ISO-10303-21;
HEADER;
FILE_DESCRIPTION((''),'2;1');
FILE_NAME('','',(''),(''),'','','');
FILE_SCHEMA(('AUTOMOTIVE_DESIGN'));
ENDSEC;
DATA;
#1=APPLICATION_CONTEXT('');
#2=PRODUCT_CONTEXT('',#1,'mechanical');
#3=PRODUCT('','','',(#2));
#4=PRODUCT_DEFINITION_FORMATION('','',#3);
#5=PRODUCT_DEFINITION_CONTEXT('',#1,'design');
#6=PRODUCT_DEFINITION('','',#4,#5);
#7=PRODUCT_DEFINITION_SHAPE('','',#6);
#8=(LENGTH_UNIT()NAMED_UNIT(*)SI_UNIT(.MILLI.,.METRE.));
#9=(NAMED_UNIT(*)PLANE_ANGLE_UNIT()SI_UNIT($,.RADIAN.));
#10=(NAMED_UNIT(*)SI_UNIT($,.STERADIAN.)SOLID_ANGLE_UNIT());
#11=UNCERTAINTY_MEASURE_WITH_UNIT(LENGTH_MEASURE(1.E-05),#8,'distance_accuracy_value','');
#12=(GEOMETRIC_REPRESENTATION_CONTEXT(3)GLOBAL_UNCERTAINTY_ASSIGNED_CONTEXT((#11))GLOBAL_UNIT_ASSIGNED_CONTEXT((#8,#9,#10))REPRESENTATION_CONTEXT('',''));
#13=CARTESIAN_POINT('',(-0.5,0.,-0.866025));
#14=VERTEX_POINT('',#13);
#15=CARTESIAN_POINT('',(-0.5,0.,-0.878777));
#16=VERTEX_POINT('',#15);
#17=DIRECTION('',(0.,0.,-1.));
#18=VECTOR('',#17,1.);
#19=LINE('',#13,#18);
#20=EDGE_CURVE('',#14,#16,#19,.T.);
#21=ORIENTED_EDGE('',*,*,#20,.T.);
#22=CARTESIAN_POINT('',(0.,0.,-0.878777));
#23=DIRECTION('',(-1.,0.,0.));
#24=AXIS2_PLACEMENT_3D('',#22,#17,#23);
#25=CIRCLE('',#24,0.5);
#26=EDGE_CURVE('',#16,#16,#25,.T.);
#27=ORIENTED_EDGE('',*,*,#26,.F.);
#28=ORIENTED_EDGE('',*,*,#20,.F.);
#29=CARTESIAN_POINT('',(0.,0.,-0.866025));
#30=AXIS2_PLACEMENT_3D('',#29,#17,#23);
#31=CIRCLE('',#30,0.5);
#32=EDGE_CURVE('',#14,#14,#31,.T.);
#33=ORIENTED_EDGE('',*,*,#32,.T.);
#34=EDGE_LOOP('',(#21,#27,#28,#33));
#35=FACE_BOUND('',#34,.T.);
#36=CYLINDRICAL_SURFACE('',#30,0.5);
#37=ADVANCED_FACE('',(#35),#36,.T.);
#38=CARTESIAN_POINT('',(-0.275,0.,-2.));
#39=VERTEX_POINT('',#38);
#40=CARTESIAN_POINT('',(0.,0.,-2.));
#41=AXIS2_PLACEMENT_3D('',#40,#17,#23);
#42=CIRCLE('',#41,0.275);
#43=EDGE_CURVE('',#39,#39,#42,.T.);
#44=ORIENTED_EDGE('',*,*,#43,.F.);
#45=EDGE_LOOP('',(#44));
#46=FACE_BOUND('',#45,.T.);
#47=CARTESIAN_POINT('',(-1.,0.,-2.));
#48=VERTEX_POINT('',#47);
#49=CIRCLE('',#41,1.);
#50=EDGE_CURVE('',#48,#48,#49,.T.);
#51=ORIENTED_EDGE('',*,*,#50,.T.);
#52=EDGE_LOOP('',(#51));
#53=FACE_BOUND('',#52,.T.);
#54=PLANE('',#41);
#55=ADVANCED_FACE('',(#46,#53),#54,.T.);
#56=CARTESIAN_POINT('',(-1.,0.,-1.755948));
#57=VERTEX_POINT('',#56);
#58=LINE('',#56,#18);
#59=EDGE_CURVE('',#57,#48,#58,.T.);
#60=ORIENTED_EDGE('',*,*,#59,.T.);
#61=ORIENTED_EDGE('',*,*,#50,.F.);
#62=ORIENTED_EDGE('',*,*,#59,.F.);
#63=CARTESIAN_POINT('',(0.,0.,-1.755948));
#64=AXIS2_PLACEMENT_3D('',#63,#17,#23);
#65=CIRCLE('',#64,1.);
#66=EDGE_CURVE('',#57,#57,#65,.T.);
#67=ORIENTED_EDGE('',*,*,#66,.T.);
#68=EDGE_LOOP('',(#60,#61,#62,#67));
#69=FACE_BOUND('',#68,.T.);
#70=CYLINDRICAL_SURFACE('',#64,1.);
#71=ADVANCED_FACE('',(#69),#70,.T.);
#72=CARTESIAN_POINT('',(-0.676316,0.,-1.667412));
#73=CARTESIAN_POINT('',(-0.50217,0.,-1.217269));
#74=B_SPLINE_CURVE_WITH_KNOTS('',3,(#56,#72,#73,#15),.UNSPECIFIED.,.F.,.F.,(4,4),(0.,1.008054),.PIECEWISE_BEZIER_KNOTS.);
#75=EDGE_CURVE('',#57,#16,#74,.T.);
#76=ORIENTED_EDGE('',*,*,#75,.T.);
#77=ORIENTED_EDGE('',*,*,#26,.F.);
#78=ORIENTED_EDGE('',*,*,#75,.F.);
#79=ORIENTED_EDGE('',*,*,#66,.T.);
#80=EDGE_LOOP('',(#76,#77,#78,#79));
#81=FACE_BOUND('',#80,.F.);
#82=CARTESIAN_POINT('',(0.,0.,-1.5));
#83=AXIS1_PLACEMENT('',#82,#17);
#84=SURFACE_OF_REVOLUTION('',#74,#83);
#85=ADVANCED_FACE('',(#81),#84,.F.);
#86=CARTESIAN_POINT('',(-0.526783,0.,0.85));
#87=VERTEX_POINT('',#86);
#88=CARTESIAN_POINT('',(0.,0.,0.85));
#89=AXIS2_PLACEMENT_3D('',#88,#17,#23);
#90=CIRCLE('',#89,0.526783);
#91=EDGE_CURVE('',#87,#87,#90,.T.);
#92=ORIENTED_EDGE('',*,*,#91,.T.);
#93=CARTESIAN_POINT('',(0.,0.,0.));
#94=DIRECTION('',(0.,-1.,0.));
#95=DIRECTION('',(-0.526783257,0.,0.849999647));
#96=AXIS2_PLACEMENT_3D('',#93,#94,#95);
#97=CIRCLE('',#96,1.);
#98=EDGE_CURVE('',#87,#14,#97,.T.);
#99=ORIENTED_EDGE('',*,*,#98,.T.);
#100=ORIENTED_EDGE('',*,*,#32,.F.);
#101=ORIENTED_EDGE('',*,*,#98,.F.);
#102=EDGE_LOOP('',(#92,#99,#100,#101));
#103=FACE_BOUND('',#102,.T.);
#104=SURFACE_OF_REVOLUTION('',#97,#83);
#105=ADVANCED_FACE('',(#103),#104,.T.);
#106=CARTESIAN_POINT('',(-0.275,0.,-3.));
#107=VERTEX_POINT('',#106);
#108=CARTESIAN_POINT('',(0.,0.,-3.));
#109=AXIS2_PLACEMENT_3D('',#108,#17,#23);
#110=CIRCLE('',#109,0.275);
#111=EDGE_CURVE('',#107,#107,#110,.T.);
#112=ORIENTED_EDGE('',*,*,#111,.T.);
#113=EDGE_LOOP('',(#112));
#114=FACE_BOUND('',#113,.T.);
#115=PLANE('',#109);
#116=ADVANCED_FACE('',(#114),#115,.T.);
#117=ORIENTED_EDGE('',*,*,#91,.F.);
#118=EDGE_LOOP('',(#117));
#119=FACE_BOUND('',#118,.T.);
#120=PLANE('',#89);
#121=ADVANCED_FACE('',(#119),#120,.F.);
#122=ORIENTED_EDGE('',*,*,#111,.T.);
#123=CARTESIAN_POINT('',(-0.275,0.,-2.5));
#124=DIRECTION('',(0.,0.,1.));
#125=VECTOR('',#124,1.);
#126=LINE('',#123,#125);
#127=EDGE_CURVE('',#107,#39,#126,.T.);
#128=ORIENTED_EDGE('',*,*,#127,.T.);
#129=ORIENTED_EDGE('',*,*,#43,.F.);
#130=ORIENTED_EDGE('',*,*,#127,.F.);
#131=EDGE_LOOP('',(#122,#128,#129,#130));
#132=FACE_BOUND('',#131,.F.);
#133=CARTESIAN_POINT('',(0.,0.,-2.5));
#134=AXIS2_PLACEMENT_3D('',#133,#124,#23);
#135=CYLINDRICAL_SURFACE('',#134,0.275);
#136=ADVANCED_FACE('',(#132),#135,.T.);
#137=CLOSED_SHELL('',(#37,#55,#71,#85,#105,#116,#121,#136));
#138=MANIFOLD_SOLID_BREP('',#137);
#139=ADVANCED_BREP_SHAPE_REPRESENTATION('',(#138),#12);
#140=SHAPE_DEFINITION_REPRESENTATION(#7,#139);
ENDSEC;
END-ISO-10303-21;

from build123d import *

# Parameters (mm, degrees)
F0_W = 0.275
F0_H = 1


with BuildPart() as f1:
    # F0 (on Front) → F1 (revolve)
    with BuildSketch(Plane.XZ):
        with BuildLine():
            ThreePointArc((0, -1), (-0.258819, -0.965926), (-0.5, -0.866025))
            Line((-0.5, -0.866025), (-0.5, -0.878777))
            add(Edge.make_bspline(
                [(-1, -1.755948), (-0.676316, -1.667412), (-0.50217, -1.217269), (-0.5, -0.878777)],
                knots=[0, 0, 0, 0, 1.008054, 1.008054, 1.008054, 1.008054], degree=3))
            Line((-1, -1.755948), (-1, -2))
            Line((-1, -2), (-0.275, -2))
            Line((-0.275, -2), (0, -2))
            Line((0, -2), (0, -1))
        make_face()
        with BuildLine():
            Line((0, 0.85), (-0.526783, 0.85))
            ThreePointArc((-0.526783, 0.85), (-0.999878, -0.015605), (-0.5, -0.866025))
            ThreePointArc((-0.5, -0.866025), (-0.258819, -0.965926), (0, -1))
            Line((0, -1), (0, 0.85))
        make_face()
        with Locations((-0.1375, -2.5)):
            Rectangle(F0_W, F0_H)
    revolve(axis=Axis((0, 0, -1.5), (0, 0, -1)))


solid = f1.part
